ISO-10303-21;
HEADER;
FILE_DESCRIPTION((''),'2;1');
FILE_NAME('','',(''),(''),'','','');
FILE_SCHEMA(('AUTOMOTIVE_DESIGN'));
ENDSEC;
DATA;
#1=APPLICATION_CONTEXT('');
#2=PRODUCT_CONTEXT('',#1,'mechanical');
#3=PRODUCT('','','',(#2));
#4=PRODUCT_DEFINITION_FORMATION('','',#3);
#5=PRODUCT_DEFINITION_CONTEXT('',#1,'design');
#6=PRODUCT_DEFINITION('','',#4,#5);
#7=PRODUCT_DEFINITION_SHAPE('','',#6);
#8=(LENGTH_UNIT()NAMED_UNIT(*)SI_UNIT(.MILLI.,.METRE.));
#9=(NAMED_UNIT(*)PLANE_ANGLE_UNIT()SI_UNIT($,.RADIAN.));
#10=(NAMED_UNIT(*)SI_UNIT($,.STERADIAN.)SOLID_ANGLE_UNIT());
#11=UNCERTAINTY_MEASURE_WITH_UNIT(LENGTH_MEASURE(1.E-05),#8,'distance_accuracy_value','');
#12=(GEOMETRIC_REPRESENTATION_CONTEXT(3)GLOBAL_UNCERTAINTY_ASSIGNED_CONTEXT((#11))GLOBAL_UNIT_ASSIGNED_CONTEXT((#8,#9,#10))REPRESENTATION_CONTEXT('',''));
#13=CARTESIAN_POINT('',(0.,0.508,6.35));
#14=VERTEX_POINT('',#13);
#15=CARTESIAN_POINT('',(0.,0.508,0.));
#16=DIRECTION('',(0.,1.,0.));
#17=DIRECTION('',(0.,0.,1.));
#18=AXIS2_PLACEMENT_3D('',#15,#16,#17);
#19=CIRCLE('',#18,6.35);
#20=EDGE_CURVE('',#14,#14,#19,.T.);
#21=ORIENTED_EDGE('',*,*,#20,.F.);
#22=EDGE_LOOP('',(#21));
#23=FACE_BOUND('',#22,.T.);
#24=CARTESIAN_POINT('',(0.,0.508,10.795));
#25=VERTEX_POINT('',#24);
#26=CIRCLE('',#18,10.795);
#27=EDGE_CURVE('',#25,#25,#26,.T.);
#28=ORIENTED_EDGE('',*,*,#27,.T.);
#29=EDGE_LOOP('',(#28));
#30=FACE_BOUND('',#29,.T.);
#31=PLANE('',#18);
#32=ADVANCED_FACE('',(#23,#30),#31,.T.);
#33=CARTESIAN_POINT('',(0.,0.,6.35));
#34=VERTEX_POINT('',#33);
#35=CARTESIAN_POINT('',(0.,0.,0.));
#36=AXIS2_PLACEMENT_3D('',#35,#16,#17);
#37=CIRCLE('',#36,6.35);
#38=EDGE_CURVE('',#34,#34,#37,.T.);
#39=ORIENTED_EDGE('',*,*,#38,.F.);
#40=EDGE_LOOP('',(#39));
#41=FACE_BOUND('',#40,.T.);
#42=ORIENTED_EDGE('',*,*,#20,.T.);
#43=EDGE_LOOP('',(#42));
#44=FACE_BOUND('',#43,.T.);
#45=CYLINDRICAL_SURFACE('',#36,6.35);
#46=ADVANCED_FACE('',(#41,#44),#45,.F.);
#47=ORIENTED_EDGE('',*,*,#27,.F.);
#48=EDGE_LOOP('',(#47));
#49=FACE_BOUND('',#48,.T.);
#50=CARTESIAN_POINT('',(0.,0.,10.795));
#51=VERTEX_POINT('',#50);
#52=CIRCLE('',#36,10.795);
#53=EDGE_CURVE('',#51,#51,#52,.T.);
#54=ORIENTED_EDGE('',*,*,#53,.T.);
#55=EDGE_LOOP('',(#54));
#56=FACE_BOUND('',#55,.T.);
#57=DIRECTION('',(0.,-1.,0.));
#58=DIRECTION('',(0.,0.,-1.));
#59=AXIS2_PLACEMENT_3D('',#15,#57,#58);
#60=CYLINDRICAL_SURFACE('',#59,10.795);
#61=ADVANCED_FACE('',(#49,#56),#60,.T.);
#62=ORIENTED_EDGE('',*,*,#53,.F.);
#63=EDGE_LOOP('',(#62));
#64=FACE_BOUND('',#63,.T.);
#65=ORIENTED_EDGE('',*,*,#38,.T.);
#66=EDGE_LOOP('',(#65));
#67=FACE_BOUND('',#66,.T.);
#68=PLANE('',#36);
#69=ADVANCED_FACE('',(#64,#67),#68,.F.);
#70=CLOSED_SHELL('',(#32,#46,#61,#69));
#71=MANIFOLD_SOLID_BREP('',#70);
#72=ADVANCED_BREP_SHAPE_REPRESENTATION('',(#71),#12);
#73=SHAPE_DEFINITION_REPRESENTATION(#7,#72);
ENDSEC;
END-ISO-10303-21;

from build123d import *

# Parameters (mm, degrees)
SKETCH1_R           = 10.795
BOSS_EXTRUDE1_DEPTH = 0.508
SKETCH2_R           = 6.35
CUT_EXTRUDE1_DEPTH  = 16.274885073


with BuildPart() as part:
    # Sketch1 → Boss-Extrude1 (new body)
    with BuildSketch(Plane(origin=(0, 0, 0), x_dir=(1, 0, 0), z_dir=(0, 1, 0))):
        with Locations(Location((0, 0, 0), (0, 0, 270))):
            Circle(SKETCH1_R)
    extrude(amount=BOSS_EXTRUDE1_DEPTH)

    # Sketch2 → Cut-Extrude1 (cut, through all)
    with BuildSketch(Plane(origin=(0, 0.508, 0), x_dir=(1, 0, 0), z_dir=(0, 1, 0))):
        with Locations(Location((0, 0, 0), (0, 0, 270))):
            Circle(SKETCH2_R)
    extrude(amount=-CUT_EXTRUDE1_DEPTH, mode=Mode.SUBTRACT)


solid = part.part
